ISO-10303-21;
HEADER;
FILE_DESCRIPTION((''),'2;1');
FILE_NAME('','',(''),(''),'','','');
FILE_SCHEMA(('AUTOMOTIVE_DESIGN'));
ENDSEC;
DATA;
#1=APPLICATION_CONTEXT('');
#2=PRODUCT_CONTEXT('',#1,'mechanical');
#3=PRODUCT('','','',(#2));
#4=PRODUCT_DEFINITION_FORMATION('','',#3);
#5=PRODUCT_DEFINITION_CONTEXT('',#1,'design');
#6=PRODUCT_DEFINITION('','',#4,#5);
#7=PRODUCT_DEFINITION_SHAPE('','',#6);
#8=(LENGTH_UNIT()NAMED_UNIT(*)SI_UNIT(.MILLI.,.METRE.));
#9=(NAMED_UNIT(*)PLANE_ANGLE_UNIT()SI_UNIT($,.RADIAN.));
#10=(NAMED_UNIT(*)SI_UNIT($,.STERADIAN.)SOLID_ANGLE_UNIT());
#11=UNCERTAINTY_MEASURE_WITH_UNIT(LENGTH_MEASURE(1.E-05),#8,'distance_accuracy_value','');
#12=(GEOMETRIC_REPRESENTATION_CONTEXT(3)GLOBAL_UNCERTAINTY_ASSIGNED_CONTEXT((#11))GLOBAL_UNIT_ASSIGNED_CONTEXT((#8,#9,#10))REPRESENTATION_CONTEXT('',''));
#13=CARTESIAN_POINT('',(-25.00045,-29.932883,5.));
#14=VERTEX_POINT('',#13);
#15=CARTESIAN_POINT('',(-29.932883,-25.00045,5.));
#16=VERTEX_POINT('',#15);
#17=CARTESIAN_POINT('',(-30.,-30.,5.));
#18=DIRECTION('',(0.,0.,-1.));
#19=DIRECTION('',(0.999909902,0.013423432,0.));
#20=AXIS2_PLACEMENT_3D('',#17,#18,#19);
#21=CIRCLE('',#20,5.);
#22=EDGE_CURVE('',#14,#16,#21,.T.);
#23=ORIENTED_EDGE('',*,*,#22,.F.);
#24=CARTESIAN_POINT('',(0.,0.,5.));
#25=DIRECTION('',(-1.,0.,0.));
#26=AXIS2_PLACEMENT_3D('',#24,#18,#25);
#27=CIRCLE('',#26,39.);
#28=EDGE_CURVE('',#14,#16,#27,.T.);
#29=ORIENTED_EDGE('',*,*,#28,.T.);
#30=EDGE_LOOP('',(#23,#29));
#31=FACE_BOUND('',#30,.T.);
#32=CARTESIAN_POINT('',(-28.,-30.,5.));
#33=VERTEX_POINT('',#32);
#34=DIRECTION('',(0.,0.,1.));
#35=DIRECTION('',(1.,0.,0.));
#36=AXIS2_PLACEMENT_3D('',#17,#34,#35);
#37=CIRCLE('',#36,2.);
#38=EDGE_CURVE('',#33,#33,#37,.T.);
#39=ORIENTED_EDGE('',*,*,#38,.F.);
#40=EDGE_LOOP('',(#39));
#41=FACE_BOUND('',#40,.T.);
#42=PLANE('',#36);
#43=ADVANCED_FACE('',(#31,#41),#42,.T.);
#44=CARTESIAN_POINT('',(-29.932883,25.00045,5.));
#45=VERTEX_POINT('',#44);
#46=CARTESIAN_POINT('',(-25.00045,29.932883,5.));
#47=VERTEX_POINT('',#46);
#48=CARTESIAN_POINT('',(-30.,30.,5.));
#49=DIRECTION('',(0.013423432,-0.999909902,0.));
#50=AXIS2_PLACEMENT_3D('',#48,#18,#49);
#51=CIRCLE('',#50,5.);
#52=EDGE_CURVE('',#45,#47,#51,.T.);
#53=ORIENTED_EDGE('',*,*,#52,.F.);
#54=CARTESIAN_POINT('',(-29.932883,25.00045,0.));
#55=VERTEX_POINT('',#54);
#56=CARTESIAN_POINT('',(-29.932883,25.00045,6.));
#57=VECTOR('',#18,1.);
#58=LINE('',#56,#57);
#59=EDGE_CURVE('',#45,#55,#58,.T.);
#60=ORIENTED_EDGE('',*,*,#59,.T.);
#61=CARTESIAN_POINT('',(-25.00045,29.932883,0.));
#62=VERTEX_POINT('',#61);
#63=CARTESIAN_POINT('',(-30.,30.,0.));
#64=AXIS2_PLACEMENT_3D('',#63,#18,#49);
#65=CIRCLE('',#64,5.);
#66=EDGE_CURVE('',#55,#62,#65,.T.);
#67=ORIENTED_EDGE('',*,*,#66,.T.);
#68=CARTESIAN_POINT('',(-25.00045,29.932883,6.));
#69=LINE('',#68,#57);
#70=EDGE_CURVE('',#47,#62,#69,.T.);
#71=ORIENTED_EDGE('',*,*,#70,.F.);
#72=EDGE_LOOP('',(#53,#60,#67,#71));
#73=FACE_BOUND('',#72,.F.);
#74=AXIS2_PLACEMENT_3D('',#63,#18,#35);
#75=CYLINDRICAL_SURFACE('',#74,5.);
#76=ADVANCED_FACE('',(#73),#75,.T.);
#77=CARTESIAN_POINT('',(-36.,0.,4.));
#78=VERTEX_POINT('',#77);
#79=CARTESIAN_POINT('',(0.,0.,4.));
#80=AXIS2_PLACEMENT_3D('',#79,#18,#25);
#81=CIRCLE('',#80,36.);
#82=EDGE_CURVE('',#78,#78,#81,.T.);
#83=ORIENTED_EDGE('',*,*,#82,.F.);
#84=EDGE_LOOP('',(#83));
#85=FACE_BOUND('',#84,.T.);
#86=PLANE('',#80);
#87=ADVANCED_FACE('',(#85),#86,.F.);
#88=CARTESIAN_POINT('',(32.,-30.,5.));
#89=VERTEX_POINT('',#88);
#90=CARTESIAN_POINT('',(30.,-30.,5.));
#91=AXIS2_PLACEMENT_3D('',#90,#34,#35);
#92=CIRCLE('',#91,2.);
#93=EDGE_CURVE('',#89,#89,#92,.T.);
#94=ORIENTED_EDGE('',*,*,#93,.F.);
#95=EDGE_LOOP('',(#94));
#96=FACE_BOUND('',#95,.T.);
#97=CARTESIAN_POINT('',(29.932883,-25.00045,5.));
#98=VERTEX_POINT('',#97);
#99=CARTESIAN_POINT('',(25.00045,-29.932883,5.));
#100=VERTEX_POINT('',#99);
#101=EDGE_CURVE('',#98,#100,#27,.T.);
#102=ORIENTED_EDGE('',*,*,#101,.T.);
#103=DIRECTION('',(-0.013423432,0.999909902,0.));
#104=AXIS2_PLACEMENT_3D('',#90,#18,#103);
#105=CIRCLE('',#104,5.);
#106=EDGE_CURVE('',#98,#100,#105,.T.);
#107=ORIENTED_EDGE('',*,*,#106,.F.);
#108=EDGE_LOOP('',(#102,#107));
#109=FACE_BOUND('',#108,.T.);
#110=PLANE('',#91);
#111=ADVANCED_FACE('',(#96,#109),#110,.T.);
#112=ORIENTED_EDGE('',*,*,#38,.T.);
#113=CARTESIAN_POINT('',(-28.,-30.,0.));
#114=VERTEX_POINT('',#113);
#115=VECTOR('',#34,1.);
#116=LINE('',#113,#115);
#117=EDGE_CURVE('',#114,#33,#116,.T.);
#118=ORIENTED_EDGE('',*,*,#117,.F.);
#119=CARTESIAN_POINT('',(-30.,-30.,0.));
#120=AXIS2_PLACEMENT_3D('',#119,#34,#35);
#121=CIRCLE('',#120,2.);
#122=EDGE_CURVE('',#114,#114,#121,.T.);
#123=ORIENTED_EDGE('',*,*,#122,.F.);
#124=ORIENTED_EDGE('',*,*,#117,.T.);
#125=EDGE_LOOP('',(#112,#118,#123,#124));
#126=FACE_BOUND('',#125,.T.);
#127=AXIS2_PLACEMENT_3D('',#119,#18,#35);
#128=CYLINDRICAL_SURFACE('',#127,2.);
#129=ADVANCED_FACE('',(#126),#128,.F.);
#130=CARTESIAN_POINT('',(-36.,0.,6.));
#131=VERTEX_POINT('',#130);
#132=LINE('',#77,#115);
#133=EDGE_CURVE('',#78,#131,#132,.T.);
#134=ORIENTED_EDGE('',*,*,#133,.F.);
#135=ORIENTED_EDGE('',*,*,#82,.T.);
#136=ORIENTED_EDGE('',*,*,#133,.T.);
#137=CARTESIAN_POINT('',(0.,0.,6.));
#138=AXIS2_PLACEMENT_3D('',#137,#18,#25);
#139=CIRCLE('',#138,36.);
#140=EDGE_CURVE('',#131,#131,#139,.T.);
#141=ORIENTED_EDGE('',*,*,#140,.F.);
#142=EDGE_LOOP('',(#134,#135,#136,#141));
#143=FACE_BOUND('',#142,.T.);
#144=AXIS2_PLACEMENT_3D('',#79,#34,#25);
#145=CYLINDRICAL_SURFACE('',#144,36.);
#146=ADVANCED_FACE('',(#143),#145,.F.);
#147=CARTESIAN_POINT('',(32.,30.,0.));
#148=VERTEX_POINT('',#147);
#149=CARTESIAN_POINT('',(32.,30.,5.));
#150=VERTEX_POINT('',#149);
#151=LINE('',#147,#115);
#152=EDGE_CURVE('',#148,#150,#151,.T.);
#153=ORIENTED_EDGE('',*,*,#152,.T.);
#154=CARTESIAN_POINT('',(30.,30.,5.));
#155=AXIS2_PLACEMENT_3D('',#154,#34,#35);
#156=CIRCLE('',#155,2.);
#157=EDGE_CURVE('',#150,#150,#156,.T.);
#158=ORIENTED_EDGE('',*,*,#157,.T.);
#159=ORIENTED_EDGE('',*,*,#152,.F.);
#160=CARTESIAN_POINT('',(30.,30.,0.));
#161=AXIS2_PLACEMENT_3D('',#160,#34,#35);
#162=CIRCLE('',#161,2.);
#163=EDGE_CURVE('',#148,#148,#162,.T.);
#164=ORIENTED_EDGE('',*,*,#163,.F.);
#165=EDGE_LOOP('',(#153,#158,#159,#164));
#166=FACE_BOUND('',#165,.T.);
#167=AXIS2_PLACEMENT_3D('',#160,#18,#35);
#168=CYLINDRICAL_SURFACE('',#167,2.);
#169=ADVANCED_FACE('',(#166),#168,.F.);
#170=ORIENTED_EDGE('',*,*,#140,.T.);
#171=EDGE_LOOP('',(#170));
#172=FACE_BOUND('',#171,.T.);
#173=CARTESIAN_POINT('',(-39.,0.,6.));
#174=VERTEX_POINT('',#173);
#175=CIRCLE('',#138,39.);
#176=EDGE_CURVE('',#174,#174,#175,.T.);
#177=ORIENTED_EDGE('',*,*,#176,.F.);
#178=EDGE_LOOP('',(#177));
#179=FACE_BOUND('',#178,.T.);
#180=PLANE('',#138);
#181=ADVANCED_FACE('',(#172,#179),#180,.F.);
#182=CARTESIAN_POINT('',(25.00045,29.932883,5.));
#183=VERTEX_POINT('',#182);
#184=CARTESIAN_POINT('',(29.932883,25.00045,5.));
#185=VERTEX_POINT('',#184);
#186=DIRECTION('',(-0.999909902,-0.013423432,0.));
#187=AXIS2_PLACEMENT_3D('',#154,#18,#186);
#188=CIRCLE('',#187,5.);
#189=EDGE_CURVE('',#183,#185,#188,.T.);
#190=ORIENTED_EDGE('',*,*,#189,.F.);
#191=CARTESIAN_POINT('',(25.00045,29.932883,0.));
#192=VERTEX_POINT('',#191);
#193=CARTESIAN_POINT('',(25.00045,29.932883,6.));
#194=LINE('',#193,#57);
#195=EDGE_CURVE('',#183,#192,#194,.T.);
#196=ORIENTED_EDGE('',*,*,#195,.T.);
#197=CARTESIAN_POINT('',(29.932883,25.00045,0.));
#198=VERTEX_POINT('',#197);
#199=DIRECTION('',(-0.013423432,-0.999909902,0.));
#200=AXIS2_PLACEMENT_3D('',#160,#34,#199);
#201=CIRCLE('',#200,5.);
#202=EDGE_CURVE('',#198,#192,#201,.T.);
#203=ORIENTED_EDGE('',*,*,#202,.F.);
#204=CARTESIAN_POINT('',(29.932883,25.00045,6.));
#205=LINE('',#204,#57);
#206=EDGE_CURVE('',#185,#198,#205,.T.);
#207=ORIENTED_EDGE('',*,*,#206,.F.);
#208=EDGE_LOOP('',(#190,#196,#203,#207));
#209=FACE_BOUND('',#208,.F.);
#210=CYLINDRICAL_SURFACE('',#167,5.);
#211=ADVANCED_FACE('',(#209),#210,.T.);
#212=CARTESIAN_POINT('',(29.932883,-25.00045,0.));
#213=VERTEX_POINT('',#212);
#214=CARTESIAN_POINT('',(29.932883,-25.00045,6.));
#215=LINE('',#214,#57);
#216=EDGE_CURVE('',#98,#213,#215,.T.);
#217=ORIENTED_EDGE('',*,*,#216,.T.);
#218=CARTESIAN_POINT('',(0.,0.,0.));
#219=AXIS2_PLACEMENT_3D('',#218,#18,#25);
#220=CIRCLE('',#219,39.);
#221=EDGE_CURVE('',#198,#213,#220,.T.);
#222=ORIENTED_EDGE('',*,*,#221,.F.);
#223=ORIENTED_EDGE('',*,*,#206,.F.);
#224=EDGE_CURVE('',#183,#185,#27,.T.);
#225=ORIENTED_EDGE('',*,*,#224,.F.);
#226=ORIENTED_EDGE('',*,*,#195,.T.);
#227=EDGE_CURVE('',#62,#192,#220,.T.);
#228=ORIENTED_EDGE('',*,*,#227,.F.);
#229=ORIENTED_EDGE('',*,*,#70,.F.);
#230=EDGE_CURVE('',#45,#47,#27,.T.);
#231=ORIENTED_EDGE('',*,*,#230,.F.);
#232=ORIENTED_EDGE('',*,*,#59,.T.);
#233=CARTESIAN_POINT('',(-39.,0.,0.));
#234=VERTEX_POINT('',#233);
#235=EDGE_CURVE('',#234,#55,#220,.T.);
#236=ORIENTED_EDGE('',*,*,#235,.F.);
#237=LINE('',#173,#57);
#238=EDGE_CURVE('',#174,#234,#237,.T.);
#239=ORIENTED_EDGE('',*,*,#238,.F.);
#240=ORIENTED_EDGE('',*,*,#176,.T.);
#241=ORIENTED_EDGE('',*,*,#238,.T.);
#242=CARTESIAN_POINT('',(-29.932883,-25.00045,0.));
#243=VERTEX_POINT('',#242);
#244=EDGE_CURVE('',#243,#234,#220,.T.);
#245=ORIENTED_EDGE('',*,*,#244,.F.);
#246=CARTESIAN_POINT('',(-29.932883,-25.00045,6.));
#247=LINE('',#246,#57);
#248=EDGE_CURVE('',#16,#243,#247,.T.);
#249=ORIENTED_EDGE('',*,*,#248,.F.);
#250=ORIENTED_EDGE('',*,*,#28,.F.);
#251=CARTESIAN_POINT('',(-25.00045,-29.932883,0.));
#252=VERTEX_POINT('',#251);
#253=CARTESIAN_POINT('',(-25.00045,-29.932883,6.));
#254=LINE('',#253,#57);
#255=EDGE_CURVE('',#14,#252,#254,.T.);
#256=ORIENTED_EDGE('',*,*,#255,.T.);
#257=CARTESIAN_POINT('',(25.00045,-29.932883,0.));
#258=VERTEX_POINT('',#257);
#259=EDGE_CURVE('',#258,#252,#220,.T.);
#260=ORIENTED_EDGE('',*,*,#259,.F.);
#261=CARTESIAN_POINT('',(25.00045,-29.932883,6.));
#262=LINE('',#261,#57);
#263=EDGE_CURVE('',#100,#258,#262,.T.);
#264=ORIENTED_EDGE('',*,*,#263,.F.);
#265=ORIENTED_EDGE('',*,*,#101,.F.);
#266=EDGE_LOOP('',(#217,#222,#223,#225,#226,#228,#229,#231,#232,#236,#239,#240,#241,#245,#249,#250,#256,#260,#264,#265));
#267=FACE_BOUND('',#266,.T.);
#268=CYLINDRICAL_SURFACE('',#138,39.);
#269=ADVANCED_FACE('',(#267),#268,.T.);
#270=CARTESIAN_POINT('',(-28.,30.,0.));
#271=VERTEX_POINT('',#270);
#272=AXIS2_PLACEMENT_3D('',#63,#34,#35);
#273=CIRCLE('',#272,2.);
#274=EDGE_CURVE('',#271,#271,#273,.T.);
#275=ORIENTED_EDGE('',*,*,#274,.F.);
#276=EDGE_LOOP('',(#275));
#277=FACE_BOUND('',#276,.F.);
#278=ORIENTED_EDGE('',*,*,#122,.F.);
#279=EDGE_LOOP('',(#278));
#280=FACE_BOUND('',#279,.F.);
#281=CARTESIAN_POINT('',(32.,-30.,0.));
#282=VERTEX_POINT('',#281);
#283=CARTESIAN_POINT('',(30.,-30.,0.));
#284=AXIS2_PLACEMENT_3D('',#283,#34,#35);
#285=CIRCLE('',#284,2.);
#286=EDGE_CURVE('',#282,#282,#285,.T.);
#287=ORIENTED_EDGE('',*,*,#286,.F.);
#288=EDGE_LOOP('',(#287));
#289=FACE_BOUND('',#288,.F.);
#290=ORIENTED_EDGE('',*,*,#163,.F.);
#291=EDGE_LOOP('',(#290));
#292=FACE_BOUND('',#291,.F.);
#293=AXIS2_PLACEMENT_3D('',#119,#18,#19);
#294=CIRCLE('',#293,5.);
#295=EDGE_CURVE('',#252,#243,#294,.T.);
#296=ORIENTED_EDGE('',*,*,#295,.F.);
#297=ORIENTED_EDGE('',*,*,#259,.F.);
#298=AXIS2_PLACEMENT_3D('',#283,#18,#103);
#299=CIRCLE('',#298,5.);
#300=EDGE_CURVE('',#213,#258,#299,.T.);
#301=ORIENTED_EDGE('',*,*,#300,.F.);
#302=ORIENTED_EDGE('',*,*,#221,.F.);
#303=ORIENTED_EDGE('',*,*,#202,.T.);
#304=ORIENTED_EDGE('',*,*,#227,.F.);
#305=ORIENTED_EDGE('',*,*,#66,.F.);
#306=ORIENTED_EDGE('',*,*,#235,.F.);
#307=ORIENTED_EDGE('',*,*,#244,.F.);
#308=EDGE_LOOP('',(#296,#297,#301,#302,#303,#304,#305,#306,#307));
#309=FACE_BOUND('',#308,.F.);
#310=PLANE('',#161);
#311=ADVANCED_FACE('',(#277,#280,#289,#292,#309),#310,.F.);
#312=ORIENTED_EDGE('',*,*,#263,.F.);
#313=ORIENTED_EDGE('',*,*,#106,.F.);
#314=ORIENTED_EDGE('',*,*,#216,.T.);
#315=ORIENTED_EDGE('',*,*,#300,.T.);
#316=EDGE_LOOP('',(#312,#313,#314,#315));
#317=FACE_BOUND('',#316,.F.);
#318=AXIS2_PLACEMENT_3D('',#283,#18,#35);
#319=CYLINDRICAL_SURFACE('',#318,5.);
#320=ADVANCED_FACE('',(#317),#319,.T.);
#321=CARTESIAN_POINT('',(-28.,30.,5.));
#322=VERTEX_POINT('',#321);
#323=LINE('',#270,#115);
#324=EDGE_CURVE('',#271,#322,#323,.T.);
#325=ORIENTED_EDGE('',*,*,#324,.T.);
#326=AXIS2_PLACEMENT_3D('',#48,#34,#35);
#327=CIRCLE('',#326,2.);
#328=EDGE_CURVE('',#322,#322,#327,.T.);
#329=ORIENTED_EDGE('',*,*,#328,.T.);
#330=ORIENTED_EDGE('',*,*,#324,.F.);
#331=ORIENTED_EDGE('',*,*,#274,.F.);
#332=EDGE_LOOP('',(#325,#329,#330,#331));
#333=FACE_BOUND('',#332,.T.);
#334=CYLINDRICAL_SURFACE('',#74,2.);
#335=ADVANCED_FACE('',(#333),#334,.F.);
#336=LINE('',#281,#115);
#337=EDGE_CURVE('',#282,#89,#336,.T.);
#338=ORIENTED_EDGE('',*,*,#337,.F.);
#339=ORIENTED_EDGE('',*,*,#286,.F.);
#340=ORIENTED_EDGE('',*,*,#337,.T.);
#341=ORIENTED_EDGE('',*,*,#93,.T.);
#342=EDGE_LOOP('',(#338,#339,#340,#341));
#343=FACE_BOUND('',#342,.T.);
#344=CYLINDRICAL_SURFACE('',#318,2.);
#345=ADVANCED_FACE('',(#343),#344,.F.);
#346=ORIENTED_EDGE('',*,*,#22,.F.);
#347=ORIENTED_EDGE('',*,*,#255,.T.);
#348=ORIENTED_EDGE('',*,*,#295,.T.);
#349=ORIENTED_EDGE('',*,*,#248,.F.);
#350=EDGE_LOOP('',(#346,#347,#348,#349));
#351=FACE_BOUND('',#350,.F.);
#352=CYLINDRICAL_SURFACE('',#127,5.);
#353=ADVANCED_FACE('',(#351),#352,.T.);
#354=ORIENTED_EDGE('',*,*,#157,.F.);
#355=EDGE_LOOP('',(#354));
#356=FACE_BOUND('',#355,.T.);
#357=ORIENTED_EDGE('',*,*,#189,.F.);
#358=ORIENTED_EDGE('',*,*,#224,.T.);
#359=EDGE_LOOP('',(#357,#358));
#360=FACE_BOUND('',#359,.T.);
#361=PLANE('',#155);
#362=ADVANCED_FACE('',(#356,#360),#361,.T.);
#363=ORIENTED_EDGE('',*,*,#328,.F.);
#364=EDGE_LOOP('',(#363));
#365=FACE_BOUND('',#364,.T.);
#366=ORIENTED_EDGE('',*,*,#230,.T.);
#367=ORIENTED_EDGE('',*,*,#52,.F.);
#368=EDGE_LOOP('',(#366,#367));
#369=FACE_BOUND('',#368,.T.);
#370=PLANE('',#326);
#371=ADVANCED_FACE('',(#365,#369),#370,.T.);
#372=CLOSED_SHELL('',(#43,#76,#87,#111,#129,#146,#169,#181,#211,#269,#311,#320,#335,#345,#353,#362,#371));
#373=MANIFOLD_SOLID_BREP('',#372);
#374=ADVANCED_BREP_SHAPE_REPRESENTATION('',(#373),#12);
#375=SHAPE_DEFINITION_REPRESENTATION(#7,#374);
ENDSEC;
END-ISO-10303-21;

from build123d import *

# Parameters (mm, degrees)
F1_R     = 5
F1_R_2   = 2
F3_DEPTH = 5


with BuildPart() as f2:
    # F0 (on Front) → F2 (revolve)
    with BuildSketch(Plane.XZ):
        Polygon((-39, 6), (-39, 0), (0, 0), (0, 4), (-36, 4), (-36, 6), align=None)
    revolve(axis=Axis((0, 0, 2), (0, 0, -1)))

    # F1 (on Top) → F3 (join)
    with BuildSketch(Plane.XY):
        with Locations((30, 30)):
            Circle(F1_R)
        with Locations((30, 30)):
            Circle(F1_R_2, mode=Mode.SUBTRACT)
        with Locations((-30, 30)):
            Circle(F1_R)
        with Locations((-30, 30)):
            Circle(F1_R_2, mode=Mode.SUBTRACT)
        with Locations((-30, -30)):
            Circle(F1_R)
        with Locations((-30, -30)):
            Circle(F1_R_2, mode=Mode.SUBTRACT)
        with Locations((30, -30)):
            Circle(F1_R)
        with Locations((30, -30)):
            Circle(F1_R_2, mode=Mode.SUBTRACT)
    extrude(amount=F3_DEPTH)


solid = f2.part
